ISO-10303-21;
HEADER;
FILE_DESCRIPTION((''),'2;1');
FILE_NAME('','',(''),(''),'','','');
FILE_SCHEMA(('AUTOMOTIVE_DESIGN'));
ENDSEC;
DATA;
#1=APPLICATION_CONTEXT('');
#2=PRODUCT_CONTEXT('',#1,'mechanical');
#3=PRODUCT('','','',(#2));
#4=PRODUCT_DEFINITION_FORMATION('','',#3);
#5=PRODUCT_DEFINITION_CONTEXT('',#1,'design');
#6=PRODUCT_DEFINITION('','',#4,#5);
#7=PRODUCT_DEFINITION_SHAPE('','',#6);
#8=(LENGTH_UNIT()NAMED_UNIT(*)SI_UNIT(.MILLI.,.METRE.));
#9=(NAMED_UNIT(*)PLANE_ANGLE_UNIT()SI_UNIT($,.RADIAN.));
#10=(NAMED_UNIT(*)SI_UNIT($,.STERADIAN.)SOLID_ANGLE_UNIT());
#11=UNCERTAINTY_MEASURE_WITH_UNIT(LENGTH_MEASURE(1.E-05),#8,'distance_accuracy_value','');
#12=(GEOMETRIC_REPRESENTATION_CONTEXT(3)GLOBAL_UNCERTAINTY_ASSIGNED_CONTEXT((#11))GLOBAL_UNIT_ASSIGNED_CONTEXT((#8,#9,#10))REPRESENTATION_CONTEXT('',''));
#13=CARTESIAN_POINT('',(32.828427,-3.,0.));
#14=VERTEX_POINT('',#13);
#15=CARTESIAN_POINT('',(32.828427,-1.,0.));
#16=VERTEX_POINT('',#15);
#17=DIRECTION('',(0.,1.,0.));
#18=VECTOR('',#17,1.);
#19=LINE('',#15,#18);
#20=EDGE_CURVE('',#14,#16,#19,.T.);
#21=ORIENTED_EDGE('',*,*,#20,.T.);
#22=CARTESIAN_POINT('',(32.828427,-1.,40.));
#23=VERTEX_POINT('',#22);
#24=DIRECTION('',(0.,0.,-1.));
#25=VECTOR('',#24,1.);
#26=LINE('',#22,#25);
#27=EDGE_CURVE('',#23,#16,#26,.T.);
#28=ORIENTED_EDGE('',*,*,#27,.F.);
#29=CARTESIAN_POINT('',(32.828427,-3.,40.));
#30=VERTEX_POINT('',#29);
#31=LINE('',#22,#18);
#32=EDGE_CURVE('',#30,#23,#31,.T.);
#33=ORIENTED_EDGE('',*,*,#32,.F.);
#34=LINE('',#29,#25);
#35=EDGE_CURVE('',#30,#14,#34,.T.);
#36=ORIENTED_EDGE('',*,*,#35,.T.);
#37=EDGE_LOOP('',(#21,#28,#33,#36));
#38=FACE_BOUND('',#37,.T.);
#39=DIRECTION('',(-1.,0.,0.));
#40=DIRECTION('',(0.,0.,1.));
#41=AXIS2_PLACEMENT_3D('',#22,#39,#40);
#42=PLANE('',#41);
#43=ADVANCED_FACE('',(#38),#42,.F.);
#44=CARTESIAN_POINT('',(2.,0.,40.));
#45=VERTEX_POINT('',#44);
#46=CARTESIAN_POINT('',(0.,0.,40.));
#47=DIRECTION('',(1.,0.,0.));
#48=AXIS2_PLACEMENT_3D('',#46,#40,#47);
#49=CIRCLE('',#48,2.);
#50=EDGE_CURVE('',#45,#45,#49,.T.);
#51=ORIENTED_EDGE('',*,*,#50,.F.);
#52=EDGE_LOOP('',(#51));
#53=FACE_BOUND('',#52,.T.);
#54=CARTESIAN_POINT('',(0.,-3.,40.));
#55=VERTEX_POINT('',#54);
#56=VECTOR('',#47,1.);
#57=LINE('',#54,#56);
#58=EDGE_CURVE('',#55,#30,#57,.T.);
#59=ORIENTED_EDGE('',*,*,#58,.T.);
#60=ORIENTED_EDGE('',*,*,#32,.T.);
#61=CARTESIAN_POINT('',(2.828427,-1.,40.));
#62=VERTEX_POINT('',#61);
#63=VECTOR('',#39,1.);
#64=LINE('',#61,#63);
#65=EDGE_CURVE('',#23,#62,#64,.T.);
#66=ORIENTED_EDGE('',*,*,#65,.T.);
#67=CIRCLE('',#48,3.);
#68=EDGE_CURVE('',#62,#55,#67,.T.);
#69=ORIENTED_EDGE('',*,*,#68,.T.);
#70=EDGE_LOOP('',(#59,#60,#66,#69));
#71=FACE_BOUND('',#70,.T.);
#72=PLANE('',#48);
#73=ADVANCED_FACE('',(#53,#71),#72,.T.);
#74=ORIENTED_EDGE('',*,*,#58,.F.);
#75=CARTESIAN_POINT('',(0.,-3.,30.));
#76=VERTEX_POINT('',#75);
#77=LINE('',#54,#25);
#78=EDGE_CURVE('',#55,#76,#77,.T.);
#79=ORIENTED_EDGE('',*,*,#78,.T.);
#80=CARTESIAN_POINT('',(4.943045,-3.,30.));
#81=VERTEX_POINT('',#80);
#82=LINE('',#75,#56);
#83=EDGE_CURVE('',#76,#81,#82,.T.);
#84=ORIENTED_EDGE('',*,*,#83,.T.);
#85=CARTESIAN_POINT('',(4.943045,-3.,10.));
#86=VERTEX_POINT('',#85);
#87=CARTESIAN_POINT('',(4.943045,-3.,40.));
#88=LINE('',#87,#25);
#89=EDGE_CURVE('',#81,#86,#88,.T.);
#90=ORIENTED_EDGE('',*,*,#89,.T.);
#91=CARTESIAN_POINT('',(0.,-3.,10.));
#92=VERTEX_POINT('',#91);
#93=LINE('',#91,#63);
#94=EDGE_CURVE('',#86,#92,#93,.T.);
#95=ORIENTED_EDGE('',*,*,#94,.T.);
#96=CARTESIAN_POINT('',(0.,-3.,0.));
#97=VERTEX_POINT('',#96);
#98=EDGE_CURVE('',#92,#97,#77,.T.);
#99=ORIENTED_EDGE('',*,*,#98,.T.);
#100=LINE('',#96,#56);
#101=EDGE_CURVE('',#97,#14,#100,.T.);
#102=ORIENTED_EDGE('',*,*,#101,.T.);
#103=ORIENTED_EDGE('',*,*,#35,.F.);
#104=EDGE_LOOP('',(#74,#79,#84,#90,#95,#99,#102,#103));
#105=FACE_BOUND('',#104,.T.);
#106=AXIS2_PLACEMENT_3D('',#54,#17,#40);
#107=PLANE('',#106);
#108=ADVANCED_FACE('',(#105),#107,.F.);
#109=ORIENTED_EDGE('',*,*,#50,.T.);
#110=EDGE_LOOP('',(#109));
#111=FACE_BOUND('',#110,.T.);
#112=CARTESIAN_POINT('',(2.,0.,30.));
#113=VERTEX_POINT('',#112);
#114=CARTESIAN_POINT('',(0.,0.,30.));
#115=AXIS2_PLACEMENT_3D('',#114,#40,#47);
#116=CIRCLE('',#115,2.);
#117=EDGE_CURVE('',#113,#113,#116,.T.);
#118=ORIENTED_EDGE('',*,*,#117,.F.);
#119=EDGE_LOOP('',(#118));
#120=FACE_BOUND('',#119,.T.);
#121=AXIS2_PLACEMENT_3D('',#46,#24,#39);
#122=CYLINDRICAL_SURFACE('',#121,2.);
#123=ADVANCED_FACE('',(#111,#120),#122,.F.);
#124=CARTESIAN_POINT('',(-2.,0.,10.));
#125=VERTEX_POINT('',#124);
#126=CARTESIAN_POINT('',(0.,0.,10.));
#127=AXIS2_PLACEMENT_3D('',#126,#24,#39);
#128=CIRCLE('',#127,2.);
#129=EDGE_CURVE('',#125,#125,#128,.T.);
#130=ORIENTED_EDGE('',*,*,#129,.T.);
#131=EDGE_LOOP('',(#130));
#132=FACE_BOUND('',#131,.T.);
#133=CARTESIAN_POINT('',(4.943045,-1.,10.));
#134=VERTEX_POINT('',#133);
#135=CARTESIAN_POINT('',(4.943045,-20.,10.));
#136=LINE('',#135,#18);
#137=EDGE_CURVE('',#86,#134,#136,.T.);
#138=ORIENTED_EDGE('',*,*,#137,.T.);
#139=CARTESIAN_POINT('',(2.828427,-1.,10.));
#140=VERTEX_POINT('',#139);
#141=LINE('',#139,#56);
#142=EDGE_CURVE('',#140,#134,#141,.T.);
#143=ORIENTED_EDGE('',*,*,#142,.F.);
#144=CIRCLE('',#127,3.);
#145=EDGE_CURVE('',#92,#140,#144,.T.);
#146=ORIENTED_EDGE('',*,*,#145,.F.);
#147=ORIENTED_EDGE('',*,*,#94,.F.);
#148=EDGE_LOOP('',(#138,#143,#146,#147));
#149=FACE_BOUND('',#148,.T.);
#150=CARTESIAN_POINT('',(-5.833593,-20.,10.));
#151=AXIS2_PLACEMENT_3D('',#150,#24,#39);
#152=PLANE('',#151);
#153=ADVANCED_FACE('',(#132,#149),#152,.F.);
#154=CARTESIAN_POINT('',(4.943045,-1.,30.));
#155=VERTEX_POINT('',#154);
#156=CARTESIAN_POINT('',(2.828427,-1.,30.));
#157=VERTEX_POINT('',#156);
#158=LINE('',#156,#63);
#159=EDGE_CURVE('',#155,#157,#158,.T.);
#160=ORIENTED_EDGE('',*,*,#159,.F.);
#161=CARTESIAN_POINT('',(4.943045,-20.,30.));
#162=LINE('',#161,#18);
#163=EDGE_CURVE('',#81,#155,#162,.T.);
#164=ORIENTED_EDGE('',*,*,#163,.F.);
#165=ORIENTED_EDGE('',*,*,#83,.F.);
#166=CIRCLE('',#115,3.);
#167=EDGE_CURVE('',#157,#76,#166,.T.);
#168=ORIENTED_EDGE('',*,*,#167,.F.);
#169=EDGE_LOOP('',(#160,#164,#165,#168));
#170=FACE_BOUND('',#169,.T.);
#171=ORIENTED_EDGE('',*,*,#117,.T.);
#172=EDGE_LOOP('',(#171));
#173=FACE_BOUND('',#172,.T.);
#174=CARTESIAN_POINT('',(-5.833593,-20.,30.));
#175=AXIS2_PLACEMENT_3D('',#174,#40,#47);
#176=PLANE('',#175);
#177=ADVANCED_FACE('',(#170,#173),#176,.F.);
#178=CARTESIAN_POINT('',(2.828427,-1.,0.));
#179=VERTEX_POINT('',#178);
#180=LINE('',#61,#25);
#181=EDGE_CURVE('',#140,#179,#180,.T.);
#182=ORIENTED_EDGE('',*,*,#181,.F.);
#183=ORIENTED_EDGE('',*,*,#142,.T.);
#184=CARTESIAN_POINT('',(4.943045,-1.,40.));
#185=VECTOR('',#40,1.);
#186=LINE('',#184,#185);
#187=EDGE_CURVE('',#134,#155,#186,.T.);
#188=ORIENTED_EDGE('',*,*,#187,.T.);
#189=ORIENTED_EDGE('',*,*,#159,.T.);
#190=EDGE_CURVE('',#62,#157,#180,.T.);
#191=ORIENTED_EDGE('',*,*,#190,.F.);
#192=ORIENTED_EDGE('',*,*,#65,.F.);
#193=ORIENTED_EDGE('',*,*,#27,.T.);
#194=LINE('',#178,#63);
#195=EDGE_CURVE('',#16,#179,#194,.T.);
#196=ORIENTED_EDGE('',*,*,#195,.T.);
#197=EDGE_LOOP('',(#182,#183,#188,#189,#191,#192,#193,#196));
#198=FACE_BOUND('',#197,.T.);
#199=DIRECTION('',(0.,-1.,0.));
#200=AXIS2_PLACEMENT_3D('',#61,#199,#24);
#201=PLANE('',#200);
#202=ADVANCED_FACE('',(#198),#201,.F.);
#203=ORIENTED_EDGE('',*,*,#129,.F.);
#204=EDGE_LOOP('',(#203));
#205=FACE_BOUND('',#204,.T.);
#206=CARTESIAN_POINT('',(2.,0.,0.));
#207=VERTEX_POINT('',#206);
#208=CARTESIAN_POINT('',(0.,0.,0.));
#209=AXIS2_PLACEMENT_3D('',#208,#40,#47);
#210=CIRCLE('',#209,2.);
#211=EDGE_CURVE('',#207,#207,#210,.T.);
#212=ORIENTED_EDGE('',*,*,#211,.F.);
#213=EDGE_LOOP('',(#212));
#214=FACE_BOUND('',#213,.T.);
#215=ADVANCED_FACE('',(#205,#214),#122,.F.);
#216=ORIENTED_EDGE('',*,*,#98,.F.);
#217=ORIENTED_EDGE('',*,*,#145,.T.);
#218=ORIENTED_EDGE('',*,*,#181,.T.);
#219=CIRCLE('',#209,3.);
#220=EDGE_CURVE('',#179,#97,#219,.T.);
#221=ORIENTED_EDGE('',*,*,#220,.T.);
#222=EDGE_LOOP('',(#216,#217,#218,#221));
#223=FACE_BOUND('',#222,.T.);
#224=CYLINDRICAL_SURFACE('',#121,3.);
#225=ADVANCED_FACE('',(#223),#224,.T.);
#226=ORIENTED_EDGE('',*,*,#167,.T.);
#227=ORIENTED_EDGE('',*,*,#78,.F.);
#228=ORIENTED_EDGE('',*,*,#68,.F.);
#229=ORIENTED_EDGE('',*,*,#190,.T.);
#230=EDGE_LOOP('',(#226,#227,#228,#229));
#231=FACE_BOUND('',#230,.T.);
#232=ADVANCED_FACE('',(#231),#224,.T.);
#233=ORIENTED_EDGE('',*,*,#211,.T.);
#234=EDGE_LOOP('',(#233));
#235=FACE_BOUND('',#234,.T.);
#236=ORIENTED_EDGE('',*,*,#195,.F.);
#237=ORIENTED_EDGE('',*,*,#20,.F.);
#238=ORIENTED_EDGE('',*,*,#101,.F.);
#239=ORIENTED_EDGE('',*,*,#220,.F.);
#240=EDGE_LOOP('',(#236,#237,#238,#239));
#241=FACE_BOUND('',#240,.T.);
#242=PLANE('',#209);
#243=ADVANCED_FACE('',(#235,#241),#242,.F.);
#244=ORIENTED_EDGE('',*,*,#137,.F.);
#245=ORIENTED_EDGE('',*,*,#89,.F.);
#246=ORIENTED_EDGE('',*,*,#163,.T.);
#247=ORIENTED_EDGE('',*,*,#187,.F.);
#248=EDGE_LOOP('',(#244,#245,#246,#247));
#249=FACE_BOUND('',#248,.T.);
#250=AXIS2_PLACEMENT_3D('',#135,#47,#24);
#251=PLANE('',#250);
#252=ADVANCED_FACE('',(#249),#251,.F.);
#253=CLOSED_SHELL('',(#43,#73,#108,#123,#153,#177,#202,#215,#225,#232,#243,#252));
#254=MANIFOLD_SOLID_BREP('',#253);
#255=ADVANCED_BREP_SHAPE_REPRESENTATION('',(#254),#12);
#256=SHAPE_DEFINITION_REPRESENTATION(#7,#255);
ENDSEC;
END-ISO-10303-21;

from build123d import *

# Parameters (mm, degrees)
SKETCH_1_R          = 2
EXTRUDE_1_DEPTH     = 40
SKETCH_2_W          = 10.776638496
SKETCH_2_H          = 20
CUT_EXTRUDE_2_DEPTH = 20


with BuildPart() as part:
    # Эскиз1 → Вытянуть1 (new body)
    with BuildSketch(Plane.XY):
        with BuildLine():
            Line((2.828427125, -1), (32.828427125, -1))
            Line((32.828427125, -1), (32.828427125, -3))
            Line((32.828427125, -3), (0, -3))
            ThreePointArc((0, -3), (-1.732050808, 2.449489743), (2.828427125, -1))
        make_face()
        Circle(SKETCH_1_R, mode=Mode.SUBTRACT)
    extrude(amount=EXTRUDE_1_DEPTH)

    # Эскиз2 → Вытянуть2 (cut, symmetric)
    with BuildSketch(Plane(origin=(0, 0, 0), x_dir=(1, 0, 0), z_dir=(0, 1, 0))):
        with Locations((-0.445273779, -20)):
            Rectangle(SKETCH_2_W, SKETCH_2_H)
    extrude(amount=CUT_EXTRUDE_2_DEPTH, both=True, mode=Mode.SUBTRACT)


solid = part.part
